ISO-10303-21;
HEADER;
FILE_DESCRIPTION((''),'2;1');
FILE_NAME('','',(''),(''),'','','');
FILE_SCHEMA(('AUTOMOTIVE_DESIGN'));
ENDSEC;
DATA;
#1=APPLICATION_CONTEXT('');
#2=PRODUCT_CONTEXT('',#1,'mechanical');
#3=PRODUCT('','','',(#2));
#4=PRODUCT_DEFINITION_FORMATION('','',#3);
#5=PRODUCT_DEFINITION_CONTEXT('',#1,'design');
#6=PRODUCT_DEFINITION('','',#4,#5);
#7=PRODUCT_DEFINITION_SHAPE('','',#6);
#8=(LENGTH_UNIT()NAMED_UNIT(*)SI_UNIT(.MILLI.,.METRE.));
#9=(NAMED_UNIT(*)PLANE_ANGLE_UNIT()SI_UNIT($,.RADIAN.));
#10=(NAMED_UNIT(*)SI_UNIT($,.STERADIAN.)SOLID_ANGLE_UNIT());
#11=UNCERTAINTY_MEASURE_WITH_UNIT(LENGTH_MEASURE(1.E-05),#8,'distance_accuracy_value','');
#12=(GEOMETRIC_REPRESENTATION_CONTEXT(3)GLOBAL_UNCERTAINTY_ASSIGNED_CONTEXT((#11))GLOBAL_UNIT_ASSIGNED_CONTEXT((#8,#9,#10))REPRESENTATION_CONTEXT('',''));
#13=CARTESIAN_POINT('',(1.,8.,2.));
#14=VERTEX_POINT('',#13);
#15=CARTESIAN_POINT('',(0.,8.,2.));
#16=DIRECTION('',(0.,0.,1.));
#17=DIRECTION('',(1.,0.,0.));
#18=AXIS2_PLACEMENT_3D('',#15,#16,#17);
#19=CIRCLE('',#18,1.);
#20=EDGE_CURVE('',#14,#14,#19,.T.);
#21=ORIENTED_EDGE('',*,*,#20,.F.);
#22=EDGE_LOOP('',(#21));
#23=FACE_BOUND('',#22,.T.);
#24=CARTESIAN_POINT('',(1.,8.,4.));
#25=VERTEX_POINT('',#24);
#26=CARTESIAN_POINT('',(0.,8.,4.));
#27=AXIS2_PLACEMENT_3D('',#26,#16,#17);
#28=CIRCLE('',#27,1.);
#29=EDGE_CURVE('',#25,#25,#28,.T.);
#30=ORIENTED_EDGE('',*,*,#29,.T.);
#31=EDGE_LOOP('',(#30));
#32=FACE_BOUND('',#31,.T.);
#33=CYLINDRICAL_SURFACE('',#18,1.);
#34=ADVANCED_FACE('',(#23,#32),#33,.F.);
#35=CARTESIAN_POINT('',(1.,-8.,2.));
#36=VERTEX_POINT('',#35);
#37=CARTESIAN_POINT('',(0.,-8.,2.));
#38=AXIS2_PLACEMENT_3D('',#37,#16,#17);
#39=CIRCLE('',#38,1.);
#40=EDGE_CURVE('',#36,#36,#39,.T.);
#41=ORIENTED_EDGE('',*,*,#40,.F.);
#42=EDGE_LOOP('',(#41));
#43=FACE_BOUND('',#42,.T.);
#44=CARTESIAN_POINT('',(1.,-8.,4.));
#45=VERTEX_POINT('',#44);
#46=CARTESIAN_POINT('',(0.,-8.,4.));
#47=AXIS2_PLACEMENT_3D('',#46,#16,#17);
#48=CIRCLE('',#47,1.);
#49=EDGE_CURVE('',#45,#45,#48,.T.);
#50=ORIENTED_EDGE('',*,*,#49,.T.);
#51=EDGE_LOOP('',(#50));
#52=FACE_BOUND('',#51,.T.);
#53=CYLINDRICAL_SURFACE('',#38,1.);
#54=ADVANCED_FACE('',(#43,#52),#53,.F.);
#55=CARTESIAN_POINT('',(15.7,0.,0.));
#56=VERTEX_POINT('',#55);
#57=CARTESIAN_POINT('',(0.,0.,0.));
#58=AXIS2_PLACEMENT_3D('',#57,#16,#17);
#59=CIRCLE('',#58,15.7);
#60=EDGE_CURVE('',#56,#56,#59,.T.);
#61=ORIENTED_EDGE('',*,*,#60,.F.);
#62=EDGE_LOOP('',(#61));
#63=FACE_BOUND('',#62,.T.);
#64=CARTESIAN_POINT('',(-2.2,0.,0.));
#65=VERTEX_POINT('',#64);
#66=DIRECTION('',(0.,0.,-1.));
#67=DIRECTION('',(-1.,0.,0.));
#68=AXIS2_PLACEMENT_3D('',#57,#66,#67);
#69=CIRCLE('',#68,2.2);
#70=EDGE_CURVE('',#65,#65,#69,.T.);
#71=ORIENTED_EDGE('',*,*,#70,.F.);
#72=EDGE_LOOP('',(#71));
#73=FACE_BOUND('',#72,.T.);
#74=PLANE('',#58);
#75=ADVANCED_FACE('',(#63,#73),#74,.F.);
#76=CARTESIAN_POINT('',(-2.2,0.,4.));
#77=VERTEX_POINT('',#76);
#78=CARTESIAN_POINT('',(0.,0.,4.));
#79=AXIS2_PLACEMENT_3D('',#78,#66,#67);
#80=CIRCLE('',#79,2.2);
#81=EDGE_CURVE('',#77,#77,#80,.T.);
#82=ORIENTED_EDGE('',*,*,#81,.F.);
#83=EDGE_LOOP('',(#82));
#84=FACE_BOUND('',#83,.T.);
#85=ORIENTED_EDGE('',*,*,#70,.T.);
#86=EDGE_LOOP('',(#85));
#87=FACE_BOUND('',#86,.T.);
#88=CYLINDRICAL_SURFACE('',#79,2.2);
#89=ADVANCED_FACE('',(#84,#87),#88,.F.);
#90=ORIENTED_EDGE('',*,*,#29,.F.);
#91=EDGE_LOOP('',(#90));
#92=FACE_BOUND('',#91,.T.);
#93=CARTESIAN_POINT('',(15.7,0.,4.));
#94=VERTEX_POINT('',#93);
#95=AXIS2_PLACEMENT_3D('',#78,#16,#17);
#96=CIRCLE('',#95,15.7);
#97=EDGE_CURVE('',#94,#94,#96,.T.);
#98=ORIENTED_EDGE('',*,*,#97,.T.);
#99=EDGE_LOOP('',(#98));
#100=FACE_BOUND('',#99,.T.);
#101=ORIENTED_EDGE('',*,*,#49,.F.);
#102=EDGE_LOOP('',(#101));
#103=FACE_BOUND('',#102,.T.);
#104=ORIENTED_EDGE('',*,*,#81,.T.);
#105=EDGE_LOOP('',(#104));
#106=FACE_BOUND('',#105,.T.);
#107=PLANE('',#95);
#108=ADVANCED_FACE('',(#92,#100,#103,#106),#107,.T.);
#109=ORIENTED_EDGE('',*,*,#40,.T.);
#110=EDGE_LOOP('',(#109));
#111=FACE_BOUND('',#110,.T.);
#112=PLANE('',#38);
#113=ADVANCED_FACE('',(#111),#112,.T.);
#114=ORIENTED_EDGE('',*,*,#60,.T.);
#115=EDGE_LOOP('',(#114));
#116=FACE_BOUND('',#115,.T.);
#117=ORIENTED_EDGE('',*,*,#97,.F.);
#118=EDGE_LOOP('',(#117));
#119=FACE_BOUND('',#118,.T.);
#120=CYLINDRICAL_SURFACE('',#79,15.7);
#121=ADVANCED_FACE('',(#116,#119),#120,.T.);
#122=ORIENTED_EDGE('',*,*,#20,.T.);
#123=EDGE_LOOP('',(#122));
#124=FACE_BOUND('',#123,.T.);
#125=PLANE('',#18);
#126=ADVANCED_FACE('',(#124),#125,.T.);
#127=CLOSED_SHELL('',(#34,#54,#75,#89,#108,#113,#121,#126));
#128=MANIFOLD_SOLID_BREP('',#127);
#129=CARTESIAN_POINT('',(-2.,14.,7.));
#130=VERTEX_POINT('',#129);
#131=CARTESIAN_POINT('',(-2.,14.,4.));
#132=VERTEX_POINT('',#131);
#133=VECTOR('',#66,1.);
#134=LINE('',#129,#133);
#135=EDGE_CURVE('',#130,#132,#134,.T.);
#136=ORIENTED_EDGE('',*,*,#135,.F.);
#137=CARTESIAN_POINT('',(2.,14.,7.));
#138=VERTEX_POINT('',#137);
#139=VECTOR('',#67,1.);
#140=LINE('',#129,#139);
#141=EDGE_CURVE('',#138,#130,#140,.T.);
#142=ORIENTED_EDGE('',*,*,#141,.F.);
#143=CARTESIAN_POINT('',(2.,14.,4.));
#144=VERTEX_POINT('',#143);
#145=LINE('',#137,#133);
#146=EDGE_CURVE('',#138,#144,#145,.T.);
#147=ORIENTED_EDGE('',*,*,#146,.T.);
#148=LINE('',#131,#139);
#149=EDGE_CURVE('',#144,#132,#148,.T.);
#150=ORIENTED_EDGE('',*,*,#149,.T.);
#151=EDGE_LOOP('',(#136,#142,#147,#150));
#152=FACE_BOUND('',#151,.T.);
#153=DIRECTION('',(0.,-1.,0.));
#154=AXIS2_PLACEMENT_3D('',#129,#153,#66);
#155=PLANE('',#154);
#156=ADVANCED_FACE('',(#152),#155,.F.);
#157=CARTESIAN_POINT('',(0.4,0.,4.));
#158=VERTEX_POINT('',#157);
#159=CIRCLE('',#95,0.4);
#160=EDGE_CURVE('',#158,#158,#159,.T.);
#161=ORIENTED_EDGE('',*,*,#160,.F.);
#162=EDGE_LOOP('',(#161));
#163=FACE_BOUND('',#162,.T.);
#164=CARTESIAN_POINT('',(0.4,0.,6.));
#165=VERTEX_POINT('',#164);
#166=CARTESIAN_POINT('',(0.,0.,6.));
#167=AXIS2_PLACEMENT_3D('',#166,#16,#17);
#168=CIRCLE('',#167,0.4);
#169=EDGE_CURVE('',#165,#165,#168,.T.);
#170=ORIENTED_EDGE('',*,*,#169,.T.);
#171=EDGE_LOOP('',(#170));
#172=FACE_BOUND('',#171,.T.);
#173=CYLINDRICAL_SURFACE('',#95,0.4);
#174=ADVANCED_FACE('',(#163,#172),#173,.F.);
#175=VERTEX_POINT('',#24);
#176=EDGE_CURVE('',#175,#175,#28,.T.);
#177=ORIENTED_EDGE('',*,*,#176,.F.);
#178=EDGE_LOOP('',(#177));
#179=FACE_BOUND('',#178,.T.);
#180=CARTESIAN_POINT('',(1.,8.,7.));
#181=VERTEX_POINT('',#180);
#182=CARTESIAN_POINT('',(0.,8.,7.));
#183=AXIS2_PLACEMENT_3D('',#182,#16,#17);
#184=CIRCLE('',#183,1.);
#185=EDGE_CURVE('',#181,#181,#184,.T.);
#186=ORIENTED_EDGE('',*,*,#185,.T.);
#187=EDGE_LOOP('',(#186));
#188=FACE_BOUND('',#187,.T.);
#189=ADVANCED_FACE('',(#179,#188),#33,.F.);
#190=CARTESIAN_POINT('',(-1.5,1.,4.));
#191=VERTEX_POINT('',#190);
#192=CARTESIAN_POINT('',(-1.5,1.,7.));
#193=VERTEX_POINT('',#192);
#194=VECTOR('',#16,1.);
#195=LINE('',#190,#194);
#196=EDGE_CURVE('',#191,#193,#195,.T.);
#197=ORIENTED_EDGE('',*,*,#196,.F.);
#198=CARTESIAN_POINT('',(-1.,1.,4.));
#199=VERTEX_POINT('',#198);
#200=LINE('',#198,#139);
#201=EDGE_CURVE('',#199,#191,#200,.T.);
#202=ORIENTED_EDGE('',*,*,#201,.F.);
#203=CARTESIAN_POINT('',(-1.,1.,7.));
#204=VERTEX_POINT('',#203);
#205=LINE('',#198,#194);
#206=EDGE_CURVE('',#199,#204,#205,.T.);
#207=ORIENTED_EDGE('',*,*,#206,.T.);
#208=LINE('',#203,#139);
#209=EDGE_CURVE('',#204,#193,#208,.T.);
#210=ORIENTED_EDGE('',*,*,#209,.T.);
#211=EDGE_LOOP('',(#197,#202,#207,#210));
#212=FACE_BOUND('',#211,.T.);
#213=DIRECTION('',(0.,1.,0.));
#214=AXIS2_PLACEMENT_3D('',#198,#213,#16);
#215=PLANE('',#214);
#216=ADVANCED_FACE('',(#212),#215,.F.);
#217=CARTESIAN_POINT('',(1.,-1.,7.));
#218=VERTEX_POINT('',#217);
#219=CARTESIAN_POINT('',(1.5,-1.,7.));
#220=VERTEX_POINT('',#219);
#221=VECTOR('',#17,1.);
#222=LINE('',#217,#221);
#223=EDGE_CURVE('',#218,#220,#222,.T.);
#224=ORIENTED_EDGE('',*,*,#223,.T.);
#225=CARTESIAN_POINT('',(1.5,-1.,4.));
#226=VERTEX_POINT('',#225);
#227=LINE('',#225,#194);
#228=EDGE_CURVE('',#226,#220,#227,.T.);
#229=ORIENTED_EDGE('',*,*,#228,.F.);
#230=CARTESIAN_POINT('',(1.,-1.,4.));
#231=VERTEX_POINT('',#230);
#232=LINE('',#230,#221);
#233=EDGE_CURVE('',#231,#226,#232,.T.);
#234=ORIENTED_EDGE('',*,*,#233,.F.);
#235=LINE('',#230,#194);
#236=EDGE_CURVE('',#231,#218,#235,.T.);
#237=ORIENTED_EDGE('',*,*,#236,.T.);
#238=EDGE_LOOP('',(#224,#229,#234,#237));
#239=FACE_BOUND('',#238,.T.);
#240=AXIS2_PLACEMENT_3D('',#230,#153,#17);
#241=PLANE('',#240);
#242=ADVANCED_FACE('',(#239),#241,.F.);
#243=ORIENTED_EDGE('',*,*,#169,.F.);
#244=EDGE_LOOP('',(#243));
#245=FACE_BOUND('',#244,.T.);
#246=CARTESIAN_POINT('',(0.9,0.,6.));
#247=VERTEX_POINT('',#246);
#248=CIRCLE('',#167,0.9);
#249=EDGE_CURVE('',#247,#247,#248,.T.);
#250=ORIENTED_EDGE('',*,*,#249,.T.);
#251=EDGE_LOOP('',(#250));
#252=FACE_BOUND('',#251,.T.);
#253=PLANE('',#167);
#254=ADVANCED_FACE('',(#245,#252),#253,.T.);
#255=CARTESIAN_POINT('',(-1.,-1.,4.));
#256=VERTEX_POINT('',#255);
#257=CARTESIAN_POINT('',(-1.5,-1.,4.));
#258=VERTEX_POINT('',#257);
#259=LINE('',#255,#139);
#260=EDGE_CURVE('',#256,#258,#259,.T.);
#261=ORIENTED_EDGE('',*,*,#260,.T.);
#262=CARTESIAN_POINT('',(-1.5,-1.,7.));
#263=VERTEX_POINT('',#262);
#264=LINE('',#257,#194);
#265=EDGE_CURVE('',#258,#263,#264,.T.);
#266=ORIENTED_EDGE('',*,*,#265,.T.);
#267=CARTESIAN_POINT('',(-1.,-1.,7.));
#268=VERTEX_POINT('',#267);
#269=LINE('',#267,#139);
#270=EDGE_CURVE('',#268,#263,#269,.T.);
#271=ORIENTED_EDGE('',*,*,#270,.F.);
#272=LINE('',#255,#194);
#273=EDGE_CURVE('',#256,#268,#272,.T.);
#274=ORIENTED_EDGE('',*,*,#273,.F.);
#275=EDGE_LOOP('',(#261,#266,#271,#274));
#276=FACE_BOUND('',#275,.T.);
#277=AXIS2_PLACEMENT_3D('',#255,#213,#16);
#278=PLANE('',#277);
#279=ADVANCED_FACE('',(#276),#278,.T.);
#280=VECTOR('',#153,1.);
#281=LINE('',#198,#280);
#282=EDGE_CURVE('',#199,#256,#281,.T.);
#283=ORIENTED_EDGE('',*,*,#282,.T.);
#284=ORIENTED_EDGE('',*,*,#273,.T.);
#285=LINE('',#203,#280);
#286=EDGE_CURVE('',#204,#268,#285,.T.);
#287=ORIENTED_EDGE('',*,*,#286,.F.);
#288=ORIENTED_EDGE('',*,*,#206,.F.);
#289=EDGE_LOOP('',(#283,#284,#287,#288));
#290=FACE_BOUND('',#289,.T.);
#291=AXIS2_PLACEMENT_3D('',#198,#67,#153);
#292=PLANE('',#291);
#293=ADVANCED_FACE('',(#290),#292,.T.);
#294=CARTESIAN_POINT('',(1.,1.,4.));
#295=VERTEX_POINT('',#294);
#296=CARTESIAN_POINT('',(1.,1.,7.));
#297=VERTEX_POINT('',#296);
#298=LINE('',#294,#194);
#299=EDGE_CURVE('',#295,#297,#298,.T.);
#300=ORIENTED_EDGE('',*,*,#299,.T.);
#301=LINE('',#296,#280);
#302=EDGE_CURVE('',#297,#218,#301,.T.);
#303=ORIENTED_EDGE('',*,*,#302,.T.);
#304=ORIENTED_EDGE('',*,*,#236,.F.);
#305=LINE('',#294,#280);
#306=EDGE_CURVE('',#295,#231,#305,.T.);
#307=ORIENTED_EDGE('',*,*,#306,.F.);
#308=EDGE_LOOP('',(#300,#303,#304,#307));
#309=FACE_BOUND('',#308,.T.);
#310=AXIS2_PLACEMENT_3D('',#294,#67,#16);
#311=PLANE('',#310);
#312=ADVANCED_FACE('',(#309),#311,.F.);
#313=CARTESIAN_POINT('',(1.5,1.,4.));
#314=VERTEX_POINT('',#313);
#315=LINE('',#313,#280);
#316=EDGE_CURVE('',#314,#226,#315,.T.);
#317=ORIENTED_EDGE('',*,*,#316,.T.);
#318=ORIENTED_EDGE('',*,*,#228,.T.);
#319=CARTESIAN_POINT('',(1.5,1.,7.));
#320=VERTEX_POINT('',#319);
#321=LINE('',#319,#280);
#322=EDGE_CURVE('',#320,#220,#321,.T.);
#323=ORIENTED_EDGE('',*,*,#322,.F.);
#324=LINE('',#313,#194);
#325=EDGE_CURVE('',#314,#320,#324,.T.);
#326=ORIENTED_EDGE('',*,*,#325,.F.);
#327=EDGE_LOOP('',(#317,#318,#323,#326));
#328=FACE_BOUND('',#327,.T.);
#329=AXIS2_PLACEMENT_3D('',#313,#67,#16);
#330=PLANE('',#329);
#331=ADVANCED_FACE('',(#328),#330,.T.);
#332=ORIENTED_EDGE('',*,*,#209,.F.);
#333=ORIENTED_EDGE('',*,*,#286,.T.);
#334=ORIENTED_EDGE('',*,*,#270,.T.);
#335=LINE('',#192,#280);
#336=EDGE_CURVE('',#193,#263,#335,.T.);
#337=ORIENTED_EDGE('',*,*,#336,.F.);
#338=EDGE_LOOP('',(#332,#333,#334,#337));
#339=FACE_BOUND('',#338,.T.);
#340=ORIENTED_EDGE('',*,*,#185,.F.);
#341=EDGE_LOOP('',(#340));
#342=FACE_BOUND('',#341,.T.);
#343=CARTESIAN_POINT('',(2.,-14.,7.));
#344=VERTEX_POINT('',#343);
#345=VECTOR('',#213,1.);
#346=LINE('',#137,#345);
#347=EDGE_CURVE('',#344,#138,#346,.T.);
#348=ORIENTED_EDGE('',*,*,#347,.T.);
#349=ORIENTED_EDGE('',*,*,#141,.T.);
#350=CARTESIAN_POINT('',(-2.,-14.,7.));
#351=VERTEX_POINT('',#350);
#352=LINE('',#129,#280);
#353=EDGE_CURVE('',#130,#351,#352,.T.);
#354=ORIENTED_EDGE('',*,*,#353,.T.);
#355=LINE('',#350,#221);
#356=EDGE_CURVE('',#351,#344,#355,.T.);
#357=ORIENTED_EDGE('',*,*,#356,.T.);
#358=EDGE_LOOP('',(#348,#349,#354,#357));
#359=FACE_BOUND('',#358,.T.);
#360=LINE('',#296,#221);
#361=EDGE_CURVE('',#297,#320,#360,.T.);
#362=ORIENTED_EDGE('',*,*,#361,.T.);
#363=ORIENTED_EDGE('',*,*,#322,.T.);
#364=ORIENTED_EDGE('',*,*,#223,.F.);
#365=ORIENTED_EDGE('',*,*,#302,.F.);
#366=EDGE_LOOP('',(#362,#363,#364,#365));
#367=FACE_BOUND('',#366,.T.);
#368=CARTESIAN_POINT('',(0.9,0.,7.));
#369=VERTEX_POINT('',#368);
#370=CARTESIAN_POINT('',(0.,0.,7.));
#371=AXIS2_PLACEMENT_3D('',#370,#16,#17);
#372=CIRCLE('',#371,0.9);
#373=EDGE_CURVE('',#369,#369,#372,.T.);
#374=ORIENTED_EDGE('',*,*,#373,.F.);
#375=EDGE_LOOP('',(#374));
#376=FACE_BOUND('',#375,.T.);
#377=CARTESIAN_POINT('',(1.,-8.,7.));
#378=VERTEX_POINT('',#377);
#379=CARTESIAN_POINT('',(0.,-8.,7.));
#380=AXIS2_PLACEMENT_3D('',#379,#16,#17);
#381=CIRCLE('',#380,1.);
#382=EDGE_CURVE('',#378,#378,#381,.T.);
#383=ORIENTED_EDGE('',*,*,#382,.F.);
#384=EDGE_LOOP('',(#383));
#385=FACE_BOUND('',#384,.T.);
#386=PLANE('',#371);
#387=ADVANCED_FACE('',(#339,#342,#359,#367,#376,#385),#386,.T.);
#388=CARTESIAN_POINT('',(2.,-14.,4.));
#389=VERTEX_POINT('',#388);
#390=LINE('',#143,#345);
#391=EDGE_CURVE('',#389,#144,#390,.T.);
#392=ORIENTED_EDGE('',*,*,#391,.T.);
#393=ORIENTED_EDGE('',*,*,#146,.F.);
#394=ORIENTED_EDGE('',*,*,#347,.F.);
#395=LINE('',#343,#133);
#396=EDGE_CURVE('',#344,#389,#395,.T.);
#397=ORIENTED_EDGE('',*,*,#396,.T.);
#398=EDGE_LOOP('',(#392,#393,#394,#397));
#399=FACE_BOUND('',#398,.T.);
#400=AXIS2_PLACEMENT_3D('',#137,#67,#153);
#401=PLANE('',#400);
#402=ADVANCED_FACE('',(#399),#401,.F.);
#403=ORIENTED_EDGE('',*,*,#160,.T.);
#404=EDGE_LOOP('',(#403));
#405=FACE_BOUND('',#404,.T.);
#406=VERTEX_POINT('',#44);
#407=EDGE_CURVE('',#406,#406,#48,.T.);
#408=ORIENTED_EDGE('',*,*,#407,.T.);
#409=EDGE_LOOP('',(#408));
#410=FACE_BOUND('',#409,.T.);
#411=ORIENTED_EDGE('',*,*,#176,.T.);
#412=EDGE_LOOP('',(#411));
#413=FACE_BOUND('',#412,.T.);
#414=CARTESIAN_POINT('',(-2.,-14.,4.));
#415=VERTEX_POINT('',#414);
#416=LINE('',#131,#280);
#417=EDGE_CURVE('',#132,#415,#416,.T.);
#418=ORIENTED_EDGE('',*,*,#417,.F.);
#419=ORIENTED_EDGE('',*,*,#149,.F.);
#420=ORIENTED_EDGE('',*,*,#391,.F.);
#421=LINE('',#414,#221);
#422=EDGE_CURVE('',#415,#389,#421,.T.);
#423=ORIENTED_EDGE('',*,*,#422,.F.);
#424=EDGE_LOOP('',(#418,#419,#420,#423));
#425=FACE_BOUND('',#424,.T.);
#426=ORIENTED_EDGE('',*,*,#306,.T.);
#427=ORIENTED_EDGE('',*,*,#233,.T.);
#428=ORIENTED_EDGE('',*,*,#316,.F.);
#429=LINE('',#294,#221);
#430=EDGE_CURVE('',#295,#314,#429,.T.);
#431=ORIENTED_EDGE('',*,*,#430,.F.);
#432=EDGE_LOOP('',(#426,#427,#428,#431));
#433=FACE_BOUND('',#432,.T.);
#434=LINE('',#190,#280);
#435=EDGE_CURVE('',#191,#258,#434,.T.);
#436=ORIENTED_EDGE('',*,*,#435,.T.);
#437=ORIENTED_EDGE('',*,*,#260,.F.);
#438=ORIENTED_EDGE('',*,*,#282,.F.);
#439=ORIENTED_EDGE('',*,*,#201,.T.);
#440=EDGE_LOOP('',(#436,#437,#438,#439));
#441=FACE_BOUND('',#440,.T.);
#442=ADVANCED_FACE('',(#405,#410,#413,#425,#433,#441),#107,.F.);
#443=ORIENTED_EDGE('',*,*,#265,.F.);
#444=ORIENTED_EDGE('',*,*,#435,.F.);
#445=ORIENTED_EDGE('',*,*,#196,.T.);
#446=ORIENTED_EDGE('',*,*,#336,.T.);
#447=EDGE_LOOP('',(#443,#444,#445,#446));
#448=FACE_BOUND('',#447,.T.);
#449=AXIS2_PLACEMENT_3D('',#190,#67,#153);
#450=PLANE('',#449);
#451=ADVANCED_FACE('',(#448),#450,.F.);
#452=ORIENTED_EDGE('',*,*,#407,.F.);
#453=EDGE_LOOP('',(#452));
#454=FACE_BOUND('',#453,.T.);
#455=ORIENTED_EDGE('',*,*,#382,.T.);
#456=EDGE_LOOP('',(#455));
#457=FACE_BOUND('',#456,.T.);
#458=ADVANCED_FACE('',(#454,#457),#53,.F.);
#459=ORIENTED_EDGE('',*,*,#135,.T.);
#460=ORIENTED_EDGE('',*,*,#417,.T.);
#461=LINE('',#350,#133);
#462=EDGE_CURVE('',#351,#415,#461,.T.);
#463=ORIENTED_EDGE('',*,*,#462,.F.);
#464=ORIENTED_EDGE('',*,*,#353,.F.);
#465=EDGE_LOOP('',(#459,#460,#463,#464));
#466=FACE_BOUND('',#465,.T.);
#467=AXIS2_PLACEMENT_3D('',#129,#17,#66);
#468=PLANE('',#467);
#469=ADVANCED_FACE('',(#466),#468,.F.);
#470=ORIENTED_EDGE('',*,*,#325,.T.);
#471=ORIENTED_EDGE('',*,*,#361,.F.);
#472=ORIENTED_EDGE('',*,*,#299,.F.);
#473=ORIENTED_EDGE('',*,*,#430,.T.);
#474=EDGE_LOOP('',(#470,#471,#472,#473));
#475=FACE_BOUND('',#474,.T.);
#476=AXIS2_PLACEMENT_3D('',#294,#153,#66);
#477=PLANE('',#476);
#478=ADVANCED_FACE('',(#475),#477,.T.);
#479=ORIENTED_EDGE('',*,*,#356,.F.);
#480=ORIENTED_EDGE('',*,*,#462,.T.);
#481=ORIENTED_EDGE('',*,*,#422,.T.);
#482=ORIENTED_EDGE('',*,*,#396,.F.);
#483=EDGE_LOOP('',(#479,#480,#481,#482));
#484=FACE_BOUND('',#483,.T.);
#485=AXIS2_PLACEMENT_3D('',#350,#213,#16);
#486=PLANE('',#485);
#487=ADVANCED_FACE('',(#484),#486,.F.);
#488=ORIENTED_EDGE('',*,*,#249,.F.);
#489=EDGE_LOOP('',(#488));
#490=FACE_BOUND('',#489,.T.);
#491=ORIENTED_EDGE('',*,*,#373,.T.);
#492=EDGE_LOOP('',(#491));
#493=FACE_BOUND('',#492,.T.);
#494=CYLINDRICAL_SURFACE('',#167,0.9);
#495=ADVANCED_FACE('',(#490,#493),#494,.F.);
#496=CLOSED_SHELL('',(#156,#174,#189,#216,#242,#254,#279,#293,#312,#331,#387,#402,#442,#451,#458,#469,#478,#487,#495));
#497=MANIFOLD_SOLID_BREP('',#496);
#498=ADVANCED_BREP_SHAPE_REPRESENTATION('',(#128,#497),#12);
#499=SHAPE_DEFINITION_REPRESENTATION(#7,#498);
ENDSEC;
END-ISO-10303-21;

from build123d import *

# Parameters (mm, degrees)
SKETCH_1_R          = 15.7
EXTRUDE_1_DEPTH     = 4
SKETCH_2_R          = 2.2
CUT_EXTRUDE_1_DEPTH = 4
SKETCH_3_W          = 4
SKETCH_3_H          = 28
EXTRUDE_2_DEPTH     = 3
SKETCH_5_R          = 0.9
CUT_EXTRUDE_3_DEPTH = 1
SKETCH_6_R          = 0.4
CUT_EXTRUDE_4_DEPTH = 2
SKETCH_7_W          = 0.5
SKETCH_7_H          = 2
CUT_EXTRUDE_5_DEPTH = 3
SKETCH_8_R          = 1
CUT_EXTRUDE_6_DEPTH = 5


with BuildPart() as part:
    # 草图1 → 凸台-拉伸1 (new body)
    with BuildSketch(Plane.XY):
        Circle(SKETCH_1_R)
    extrude(amount=EXTRUDE_1_DEPTH)

    # 草图2 → 切除-拉伸1 (cut)
    with BuildSketch(Plane(origin=(0, 0, 0), x_dir=(-1, 0, 0), z_dir=(0, 0, -1))):
        Circle(SKETCH_2_R)
    extrude(amount=-CUT_EXTRUDE_1_DEPTH, mode=Mode.SUBTRACT)


with BuildPart() as body_2:
    # 草图3 → 凸台-拉伸2 (new body)
    with BuildSketch(Plane.XY.offset(4)):
        Rectangle(SKETCH_3_W, SKETCH_3_H)
    extrude(amount=EXTRUDE_2_DEPTH)

    # 草图5 → 切除-拉伸3 (cut)
    with BuildSketch(Plane.XY.offset(7)):
        Circle(SKETCH_5_R)
    extrude(amount=-CUT_EXTRUDE_3_DEPTH, mode=Mode.SUBTRACT)

    # 草图6 → 切除-拉伸4 (cut)
    with BuildSketch(Plane.XY.offset(6)):
        Circle(SKETCH_6_R)
    extrude(amount=-CUT_EXTRUDE_4_DEPTH, mode=Mode.SUBTRACT)

    # 草图7 → 切除-拉伸5 (cut)
    with BuildSketch(Plane.XY.offset(7)):
        with Locations((1.25, 0)):
            Rectangle(SKETCH_7_W, SKETCH_7_H)
        with Locations((-1.25, 0)):
            Rectangle(SKETCH_7_W, SKETCH_7_H)
    extrude(amount=-CUT_EXTRUDE_5_DEPTH, mode=Mode.SUBTRACT)


with BuildPart() as cut_extrude_6_tool:
    # 草图8 → 切除-拉伸6 (new body)
    with BuildSketch(Plane.XY.offset(7)):
        with Locations((0, 8)):
            Circle(SKETCH_8_R)
        with Locations((0, -8)):
            Circle(SKETCH_8_R)
    extrude(amount=-CUT_EXTRUDE_6_DEPTH)


with BuildPart() as part_1:
    add(part.part)

    # 切除-拉伸6: cut by cut_extrude_6_tool
    add(cut_extrude_6_tool.part, mode=Mode.SUBTRACT)


with BuildPart() as body_2_1:
    add(body_2.part)

    # 切除-拉伸6: cut by cut_extrude_6_tool
    add(cut_extrude_6_tool.part, mode=Mode.SUBTRACT)


solid = Compound([part_1.part, body_2_1.part])
